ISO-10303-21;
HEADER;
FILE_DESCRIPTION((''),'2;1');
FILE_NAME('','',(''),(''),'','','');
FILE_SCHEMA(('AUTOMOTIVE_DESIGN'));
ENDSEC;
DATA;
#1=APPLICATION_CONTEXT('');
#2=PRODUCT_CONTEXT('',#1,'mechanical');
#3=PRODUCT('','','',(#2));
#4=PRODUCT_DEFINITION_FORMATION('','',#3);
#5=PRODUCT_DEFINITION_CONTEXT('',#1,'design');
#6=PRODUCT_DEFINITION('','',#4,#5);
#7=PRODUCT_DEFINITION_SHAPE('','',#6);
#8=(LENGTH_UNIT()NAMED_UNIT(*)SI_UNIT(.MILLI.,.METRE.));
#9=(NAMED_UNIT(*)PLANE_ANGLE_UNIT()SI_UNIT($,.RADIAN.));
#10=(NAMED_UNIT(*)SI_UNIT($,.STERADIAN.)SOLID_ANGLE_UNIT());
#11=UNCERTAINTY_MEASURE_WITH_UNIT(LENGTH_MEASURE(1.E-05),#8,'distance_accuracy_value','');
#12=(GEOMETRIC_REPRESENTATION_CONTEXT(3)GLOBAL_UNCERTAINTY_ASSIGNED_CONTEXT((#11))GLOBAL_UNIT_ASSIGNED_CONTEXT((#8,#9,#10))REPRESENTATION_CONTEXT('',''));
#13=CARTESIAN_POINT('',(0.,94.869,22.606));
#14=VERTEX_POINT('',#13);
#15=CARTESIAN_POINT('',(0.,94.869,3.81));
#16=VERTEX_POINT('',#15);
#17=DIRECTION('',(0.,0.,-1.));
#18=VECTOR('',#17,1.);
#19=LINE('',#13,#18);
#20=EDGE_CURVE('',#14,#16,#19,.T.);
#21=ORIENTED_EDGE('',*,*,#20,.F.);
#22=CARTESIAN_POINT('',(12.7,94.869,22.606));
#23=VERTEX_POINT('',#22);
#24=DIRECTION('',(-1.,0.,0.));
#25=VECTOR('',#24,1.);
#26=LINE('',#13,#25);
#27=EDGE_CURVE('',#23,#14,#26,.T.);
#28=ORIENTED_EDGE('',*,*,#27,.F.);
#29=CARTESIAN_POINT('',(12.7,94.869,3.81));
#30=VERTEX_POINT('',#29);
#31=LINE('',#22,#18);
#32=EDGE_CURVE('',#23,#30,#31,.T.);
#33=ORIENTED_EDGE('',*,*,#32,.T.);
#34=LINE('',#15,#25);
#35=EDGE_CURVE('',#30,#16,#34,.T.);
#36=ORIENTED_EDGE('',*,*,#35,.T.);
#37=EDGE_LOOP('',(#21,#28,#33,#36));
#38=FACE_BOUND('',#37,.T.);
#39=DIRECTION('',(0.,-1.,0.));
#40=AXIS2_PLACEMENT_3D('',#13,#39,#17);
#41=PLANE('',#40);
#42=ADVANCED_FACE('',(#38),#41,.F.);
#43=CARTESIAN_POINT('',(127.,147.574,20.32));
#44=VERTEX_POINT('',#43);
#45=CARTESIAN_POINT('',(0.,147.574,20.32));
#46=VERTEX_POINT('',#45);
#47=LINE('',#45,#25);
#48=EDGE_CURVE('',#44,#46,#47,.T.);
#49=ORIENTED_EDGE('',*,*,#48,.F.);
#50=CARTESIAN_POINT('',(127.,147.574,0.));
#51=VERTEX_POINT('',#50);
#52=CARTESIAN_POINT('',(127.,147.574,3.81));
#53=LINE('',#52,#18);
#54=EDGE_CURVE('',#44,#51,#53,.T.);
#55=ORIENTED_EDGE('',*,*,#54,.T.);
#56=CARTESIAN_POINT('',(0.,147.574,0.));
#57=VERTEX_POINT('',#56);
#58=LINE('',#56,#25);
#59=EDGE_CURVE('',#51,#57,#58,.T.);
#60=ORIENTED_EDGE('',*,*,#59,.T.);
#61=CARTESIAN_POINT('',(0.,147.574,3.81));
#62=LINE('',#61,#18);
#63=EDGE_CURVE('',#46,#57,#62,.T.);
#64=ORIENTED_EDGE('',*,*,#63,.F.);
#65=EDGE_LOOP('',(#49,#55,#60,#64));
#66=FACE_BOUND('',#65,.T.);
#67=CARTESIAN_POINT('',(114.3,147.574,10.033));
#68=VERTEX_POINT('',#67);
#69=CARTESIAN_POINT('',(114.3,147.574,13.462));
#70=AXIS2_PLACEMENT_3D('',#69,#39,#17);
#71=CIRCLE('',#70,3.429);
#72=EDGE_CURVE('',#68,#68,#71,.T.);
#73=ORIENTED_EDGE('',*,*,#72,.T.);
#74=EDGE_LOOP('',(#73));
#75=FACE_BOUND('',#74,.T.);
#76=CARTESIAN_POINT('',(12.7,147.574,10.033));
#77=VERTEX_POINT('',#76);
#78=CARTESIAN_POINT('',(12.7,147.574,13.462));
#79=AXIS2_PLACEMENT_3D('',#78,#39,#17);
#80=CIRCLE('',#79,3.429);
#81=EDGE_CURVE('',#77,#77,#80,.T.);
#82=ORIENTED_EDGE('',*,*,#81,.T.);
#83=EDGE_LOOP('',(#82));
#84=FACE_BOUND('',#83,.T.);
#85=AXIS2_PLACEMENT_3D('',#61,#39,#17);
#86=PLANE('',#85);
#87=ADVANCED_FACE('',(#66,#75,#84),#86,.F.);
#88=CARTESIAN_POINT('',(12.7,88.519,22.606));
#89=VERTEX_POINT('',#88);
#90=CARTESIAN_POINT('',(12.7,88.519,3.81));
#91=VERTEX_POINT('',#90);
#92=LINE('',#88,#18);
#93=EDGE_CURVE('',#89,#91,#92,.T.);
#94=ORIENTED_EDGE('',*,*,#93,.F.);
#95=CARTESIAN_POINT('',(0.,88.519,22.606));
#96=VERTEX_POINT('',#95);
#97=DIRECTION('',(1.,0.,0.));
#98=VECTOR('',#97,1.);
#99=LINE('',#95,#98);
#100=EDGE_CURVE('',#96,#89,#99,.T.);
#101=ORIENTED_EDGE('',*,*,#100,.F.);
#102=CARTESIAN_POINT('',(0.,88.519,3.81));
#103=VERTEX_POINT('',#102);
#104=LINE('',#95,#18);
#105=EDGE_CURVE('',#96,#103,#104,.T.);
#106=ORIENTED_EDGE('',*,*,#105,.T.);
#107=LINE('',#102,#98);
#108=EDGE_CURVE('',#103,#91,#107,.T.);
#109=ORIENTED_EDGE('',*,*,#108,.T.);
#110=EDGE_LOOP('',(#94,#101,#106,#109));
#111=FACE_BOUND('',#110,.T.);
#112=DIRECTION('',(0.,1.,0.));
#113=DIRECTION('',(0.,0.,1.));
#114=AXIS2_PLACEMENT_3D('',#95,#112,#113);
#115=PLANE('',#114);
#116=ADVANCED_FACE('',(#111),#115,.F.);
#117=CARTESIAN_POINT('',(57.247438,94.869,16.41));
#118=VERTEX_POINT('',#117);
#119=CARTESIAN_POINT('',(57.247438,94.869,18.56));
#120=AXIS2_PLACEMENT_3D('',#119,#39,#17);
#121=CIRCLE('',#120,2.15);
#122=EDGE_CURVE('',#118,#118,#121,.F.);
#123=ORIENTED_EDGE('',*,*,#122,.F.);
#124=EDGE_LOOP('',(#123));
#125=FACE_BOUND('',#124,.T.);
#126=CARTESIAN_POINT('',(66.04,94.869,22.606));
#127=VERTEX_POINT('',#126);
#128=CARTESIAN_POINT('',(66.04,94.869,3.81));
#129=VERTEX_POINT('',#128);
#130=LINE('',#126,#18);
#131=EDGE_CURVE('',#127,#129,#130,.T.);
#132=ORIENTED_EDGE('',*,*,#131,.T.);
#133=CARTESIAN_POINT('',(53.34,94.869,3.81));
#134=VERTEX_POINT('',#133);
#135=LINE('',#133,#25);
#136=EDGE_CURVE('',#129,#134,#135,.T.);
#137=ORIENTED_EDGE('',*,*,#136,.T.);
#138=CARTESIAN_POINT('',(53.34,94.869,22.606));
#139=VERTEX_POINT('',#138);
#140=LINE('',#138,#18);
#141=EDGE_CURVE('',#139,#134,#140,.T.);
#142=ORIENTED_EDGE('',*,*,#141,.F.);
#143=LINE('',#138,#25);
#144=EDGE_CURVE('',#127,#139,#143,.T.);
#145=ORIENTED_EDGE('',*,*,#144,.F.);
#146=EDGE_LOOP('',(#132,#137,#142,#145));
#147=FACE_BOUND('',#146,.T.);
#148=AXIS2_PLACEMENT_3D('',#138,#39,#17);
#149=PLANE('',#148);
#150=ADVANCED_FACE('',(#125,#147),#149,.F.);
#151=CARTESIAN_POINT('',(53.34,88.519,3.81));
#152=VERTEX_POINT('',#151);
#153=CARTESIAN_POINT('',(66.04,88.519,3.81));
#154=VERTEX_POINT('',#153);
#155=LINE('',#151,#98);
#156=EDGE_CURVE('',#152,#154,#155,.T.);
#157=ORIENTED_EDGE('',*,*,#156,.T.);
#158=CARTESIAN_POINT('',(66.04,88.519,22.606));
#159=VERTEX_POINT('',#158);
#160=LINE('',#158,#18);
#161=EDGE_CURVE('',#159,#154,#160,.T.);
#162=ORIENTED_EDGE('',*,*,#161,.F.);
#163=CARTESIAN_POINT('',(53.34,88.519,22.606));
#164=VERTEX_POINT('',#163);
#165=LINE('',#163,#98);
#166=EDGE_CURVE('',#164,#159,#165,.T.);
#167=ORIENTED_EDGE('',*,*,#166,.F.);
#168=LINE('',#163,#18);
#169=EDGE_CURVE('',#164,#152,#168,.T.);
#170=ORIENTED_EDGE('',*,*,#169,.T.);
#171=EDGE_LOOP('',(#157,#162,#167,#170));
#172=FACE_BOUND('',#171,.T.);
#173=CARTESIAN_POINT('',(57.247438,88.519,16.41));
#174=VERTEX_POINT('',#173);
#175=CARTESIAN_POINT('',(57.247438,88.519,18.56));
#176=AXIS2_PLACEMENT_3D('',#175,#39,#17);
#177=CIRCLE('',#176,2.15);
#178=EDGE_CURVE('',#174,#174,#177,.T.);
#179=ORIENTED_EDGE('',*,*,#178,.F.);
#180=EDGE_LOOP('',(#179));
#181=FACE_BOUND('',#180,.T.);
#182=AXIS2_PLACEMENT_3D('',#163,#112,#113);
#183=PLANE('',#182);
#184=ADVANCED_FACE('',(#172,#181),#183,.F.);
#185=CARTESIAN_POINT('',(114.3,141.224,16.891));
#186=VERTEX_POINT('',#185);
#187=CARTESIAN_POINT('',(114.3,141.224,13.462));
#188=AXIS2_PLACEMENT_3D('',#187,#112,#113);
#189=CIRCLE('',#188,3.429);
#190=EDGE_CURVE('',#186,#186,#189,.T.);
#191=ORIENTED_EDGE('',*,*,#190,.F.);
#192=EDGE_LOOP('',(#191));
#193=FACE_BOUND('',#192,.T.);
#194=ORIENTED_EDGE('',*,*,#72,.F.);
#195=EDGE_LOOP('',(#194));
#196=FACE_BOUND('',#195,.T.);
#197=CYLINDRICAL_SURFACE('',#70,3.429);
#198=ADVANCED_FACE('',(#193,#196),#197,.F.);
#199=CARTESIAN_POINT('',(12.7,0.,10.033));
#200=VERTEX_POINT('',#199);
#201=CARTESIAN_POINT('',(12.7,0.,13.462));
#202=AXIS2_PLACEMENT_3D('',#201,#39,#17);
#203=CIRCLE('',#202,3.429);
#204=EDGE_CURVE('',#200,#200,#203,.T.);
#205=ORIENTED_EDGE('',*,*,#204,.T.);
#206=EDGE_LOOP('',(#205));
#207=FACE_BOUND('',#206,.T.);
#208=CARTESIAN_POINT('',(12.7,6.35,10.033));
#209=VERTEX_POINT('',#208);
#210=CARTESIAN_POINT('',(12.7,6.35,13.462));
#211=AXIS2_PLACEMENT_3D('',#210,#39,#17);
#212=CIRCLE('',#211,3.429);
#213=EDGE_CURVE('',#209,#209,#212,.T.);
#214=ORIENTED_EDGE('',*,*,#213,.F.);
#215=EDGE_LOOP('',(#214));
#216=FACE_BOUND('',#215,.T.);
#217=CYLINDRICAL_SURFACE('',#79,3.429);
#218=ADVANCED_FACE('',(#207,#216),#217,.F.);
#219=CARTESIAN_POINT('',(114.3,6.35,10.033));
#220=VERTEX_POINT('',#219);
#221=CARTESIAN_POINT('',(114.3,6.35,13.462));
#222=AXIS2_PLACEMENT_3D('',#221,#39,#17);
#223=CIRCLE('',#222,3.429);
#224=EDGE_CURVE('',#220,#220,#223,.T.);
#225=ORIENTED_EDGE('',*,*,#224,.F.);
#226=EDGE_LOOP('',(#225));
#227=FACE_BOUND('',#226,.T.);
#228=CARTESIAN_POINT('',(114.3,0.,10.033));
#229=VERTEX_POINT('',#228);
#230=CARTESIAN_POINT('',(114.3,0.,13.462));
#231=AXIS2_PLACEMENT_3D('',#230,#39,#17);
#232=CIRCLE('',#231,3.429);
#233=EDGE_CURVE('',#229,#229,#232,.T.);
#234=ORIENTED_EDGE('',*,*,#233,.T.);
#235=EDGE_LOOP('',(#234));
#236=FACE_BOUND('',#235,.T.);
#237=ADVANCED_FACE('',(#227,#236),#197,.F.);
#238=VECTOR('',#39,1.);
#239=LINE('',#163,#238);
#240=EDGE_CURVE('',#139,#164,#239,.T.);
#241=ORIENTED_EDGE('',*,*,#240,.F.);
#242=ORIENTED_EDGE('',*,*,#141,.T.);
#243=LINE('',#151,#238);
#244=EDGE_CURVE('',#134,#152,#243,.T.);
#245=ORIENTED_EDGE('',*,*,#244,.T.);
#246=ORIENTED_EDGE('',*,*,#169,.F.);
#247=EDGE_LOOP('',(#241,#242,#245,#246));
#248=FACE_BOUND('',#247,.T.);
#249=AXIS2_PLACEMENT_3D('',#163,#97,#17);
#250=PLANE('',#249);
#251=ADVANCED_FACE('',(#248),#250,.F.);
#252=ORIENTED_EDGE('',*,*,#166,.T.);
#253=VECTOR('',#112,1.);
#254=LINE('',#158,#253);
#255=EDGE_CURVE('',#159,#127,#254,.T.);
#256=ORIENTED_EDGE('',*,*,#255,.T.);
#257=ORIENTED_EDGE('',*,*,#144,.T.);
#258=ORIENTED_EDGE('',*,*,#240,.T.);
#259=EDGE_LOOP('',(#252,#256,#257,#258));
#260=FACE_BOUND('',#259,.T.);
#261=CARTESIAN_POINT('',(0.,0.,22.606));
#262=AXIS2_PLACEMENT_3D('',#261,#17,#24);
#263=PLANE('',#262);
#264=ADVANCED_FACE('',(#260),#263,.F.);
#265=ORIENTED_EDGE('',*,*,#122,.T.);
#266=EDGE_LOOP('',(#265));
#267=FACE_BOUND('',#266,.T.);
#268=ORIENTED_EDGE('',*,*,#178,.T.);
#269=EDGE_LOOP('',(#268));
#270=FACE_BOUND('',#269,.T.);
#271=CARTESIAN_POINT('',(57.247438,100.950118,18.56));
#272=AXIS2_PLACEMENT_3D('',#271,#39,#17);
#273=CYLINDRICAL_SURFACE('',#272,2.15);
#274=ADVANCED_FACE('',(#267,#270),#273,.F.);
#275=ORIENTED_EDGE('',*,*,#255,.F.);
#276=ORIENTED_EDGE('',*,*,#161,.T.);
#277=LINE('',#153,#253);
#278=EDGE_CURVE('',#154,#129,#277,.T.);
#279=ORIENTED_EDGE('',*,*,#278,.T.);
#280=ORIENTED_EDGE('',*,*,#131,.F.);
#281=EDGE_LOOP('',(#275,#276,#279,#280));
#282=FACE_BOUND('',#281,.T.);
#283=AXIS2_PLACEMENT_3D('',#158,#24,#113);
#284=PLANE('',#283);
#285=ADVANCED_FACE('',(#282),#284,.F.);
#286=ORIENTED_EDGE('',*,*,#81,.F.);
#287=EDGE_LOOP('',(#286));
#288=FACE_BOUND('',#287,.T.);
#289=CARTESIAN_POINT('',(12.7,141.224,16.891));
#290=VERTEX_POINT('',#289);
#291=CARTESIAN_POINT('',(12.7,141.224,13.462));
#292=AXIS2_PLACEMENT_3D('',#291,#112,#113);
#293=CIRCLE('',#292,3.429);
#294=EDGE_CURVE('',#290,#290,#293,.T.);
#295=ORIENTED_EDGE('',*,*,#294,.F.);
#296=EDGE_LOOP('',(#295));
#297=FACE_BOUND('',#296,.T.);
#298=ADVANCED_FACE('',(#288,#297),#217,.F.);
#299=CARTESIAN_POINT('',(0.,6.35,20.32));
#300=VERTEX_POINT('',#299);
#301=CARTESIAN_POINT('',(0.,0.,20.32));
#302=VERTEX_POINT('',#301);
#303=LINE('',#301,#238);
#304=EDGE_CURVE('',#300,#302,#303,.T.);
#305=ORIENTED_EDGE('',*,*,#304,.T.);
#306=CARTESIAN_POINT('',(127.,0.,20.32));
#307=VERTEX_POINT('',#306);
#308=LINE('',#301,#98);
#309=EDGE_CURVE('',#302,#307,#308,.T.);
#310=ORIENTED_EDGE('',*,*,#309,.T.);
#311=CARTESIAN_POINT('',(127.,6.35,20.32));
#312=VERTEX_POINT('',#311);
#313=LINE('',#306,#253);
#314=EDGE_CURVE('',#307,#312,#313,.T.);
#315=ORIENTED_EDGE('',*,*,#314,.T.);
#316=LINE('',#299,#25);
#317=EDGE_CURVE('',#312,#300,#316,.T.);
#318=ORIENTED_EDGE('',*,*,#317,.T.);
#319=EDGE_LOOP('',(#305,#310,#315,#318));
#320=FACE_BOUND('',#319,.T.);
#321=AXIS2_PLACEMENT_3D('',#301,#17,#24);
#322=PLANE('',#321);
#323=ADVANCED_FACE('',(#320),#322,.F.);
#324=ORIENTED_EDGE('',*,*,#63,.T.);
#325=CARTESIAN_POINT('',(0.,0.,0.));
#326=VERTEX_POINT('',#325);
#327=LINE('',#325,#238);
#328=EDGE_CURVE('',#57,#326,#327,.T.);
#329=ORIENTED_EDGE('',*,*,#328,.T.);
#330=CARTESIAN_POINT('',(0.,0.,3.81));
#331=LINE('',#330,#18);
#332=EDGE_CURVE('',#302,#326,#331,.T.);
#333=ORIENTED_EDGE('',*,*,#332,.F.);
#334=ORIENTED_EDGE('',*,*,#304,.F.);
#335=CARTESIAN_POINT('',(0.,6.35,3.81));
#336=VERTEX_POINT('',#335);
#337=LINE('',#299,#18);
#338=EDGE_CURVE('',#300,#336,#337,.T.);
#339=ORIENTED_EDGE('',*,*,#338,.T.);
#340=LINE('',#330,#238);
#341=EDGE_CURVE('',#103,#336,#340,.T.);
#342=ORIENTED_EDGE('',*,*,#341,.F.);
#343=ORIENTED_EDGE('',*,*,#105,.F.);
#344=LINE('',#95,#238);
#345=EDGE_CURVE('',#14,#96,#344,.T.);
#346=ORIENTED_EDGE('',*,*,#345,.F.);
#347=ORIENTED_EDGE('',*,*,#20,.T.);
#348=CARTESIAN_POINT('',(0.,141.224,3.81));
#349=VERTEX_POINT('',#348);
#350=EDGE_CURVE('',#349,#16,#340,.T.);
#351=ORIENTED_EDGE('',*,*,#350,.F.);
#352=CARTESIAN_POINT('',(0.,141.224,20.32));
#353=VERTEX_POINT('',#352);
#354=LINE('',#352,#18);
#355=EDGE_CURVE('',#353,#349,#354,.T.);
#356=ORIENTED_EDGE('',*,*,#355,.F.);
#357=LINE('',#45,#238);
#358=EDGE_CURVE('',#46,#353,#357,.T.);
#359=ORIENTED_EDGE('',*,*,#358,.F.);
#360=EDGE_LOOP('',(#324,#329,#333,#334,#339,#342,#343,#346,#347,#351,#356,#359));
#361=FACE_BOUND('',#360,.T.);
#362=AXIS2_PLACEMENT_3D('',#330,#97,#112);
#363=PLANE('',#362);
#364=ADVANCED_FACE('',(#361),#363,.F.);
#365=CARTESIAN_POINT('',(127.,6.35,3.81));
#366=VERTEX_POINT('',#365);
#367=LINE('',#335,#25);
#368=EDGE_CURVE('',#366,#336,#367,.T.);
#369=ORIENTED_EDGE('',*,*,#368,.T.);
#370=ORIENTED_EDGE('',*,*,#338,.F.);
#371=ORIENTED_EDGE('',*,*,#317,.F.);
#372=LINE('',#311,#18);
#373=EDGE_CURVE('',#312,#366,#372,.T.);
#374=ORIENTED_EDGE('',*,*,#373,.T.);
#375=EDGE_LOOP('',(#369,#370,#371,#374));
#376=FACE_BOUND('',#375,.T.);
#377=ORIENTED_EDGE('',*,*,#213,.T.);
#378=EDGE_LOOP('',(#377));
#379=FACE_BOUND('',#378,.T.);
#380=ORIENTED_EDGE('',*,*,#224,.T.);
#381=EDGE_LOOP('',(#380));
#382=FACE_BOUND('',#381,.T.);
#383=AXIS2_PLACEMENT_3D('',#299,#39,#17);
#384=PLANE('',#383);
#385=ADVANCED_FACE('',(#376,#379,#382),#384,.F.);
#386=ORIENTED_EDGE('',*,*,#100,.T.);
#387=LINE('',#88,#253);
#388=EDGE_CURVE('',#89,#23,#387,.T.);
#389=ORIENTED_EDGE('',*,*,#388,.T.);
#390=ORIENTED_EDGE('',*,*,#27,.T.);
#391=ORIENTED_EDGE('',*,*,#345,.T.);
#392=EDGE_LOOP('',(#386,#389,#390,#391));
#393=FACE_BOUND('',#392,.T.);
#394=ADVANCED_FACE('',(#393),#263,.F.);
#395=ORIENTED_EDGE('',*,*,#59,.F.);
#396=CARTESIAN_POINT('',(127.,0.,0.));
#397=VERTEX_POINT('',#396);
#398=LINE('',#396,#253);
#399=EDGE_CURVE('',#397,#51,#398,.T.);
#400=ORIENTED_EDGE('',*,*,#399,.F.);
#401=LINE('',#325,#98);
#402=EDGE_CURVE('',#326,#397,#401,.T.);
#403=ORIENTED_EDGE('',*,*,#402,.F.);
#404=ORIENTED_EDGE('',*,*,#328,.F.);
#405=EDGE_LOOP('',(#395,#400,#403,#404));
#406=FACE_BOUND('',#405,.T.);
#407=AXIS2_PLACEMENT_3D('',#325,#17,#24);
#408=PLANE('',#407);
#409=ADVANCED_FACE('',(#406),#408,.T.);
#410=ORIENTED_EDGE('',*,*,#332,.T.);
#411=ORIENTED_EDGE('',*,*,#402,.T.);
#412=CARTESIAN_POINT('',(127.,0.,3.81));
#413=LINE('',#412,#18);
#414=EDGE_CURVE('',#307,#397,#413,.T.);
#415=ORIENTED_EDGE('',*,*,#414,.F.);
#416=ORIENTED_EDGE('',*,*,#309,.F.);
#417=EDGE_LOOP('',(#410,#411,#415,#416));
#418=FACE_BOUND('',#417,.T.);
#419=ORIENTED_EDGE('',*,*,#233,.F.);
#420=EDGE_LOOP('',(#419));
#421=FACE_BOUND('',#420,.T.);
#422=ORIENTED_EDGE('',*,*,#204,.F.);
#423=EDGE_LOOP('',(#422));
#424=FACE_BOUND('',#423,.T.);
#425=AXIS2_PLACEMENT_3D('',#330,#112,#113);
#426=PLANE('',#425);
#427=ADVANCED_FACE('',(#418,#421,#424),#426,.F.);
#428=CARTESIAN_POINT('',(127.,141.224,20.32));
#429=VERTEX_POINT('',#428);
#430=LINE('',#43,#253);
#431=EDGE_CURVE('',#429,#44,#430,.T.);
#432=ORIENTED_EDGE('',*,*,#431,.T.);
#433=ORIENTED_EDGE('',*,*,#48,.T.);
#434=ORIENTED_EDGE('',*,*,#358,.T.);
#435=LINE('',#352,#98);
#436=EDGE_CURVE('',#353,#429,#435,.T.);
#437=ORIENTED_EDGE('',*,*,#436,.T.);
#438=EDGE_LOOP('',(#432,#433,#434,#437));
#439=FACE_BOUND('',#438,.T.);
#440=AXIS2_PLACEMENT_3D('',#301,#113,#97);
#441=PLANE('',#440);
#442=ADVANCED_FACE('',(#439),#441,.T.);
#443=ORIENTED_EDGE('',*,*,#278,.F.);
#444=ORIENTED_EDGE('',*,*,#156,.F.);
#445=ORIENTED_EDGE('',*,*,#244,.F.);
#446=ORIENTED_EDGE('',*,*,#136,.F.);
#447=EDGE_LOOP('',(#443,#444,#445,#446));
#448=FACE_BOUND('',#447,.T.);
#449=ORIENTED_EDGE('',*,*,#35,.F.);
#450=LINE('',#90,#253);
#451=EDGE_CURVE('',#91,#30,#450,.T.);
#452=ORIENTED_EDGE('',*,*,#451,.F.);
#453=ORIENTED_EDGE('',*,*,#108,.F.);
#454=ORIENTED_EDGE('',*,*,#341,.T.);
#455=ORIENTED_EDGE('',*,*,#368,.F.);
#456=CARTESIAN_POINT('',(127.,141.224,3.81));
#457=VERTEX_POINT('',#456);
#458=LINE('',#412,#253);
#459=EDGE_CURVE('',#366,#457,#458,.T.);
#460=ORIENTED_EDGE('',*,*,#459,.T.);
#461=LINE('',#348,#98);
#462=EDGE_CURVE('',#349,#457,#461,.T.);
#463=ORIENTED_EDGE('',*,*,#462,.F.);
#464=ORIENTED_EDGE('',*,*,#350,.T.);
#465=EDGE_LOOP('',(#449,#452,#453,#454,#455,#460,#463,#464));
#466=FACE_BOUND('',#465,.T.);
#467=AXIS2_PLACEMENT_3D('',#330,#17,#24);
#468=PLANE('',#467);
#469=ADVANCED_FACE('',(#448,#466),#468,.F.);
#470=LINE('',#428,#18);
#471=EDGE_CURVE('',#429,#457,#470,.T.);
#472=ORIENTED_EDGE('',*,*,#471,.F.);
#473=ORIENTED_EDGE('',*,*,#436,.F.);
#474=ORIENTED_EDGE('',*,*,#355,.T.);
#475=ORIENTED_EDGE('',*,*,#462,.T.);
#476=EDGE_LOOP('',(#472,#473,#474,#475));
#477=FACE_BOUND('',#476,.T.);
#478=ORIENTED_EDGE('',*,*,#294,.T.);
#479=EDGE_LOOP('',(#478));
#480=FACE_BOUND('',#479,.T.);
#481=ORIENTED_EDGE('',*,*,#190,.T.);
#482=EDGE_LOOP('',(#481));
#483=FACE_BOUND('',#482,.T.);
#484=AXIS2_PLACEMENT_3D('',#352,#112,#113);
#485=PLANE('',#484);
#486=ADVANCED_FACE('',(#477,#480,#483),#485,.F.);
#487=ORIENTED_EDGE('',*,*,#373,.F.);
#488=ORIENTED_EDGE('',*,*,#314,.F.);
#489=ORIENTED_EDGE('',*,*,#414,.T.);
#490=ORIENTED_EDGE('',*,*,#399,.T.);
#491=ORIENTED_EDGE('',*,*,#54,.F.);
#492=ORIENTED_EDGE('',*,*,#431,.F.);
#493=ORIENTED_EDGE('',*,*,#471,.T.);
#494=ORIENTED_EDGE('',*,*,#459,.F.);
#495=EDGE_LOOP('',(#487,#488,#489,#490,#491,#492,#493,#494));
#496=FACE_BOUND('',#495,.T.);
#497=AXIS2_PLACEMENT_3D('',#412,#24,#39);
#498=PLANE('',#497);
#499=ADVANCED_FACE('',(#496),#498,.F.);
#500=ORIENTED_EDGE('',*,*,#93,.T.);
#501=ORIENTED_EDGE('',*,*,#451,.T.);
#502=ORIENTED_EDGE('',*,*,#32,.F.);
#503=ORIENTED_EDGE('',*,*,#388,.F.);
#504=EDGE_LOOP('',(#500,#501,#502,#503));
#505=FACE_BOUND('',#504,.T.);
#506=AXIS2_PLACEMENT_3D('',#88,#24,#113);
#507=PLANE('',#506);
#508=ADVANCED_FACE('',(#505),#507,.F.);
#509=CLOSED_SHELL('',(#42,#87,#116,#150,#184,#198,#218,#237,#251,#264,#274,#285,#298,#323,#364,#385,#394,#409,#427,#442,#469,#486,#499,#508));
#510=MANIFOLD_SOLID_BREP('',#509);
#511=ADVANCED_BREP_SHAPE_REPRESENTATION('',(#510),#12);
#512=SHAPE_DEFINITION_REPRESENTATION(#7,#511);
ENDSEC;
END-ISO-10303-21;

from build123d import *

# Parameters (mm, degrees)
SKETCH1_W           = 127
SKETCH1_H           = 147.574
BOSS_EXTRUDE1_DEPTH = 3.81
SKETCH3_W           = 127
SKETCH3_H           = 6.35
BOSS_EXTRUDE2_DEPTH = 16.51
SKETCH4_R           = 3.429
CUT_EXTRUDE1_DEPTH  = 196.754917885
SKETCH6_W           = 12.7
SKETCH6_H           = 6.35
BOSS_EXTRUDE3_DEPTH = 18.796
CUT_EXTRUDE4_DEPTH  = 6.35


with BuildPart() as part:
    # Sketch1 → Boss-Extrude1 (new body)
    with BuildSketch(Plane.XY):
        with Locations((63.5, 73.787)):
            Rectangle(SKETCH1_W, SKETCH1_H)
    extrude(amount=BOSS_EXTRUDE1_DEPTH)

    # Sketch3 → Boss-Extrude2 (add)
    with BuildSketch(Plane.XY.offset(3.81)):
        with Locations((63.5, 144.399)):
            Rectangle(SKETCH3_W, SKETCH3_H)
        with Locations((63.5, 3.175)):
            Rectangle(SKETCH3_W, SKETCH3_H)
    extrude(amount=BOSS_EXTRUDE2_DEPTH)

    # Sketch4 → Cut-Extrude1 (cut, through all)
    with BuildSketch(Plane.XZ):
        with Locations(Location((12.7, 13.462, 0), (0, 0, 270))):
            Circle(SKETCH4_R)
        with Locations(Location((114.3, 13.462, 0), (0, 0, 270))):
            Circle(SKETCH4_R)
    extrude(amount=-CUT_EXTRUDE1_DEPTH, mode=Mode.SUBTRACT)

    # Sketch6 → Boss-Extrude3 (add)
    with BuildSketch(Plane.XY.offset(3.81)):
        with Locations((6.35, 91.694)):
            Rectangle(SKETCH6_W, SKETCH6_H)
        with Locations((59.69, 91.694)):
            Rectangle(SKETCH6_W, SKETCH6_H)
    extrude(amount=BOSS_EXTRUDE3_DEPTH)

    # Sketch10 → Cut-Extrude4 (cut)
    with BuildSketch(Plane.XZ.offset(-88.519)):
        with BuildLine():
            ThreePointArc((59.2, 17.66), (59.397338077, 18.539315257), (59.2169552, 19.422264664))
            ThreePointArc((59.2169552, 19.422264664), (59.208568363, 19.441173113), (59.2, 19.46))
            ThreePointArc((59.2, 19.46), (55.097437581, 18.56), (59.2, 17.66))
        make_face()
    extrude(amount=-CUT_EXTRUDE4_DEPTH, mode=Mode.SUBTRACT)


solid = part.part
